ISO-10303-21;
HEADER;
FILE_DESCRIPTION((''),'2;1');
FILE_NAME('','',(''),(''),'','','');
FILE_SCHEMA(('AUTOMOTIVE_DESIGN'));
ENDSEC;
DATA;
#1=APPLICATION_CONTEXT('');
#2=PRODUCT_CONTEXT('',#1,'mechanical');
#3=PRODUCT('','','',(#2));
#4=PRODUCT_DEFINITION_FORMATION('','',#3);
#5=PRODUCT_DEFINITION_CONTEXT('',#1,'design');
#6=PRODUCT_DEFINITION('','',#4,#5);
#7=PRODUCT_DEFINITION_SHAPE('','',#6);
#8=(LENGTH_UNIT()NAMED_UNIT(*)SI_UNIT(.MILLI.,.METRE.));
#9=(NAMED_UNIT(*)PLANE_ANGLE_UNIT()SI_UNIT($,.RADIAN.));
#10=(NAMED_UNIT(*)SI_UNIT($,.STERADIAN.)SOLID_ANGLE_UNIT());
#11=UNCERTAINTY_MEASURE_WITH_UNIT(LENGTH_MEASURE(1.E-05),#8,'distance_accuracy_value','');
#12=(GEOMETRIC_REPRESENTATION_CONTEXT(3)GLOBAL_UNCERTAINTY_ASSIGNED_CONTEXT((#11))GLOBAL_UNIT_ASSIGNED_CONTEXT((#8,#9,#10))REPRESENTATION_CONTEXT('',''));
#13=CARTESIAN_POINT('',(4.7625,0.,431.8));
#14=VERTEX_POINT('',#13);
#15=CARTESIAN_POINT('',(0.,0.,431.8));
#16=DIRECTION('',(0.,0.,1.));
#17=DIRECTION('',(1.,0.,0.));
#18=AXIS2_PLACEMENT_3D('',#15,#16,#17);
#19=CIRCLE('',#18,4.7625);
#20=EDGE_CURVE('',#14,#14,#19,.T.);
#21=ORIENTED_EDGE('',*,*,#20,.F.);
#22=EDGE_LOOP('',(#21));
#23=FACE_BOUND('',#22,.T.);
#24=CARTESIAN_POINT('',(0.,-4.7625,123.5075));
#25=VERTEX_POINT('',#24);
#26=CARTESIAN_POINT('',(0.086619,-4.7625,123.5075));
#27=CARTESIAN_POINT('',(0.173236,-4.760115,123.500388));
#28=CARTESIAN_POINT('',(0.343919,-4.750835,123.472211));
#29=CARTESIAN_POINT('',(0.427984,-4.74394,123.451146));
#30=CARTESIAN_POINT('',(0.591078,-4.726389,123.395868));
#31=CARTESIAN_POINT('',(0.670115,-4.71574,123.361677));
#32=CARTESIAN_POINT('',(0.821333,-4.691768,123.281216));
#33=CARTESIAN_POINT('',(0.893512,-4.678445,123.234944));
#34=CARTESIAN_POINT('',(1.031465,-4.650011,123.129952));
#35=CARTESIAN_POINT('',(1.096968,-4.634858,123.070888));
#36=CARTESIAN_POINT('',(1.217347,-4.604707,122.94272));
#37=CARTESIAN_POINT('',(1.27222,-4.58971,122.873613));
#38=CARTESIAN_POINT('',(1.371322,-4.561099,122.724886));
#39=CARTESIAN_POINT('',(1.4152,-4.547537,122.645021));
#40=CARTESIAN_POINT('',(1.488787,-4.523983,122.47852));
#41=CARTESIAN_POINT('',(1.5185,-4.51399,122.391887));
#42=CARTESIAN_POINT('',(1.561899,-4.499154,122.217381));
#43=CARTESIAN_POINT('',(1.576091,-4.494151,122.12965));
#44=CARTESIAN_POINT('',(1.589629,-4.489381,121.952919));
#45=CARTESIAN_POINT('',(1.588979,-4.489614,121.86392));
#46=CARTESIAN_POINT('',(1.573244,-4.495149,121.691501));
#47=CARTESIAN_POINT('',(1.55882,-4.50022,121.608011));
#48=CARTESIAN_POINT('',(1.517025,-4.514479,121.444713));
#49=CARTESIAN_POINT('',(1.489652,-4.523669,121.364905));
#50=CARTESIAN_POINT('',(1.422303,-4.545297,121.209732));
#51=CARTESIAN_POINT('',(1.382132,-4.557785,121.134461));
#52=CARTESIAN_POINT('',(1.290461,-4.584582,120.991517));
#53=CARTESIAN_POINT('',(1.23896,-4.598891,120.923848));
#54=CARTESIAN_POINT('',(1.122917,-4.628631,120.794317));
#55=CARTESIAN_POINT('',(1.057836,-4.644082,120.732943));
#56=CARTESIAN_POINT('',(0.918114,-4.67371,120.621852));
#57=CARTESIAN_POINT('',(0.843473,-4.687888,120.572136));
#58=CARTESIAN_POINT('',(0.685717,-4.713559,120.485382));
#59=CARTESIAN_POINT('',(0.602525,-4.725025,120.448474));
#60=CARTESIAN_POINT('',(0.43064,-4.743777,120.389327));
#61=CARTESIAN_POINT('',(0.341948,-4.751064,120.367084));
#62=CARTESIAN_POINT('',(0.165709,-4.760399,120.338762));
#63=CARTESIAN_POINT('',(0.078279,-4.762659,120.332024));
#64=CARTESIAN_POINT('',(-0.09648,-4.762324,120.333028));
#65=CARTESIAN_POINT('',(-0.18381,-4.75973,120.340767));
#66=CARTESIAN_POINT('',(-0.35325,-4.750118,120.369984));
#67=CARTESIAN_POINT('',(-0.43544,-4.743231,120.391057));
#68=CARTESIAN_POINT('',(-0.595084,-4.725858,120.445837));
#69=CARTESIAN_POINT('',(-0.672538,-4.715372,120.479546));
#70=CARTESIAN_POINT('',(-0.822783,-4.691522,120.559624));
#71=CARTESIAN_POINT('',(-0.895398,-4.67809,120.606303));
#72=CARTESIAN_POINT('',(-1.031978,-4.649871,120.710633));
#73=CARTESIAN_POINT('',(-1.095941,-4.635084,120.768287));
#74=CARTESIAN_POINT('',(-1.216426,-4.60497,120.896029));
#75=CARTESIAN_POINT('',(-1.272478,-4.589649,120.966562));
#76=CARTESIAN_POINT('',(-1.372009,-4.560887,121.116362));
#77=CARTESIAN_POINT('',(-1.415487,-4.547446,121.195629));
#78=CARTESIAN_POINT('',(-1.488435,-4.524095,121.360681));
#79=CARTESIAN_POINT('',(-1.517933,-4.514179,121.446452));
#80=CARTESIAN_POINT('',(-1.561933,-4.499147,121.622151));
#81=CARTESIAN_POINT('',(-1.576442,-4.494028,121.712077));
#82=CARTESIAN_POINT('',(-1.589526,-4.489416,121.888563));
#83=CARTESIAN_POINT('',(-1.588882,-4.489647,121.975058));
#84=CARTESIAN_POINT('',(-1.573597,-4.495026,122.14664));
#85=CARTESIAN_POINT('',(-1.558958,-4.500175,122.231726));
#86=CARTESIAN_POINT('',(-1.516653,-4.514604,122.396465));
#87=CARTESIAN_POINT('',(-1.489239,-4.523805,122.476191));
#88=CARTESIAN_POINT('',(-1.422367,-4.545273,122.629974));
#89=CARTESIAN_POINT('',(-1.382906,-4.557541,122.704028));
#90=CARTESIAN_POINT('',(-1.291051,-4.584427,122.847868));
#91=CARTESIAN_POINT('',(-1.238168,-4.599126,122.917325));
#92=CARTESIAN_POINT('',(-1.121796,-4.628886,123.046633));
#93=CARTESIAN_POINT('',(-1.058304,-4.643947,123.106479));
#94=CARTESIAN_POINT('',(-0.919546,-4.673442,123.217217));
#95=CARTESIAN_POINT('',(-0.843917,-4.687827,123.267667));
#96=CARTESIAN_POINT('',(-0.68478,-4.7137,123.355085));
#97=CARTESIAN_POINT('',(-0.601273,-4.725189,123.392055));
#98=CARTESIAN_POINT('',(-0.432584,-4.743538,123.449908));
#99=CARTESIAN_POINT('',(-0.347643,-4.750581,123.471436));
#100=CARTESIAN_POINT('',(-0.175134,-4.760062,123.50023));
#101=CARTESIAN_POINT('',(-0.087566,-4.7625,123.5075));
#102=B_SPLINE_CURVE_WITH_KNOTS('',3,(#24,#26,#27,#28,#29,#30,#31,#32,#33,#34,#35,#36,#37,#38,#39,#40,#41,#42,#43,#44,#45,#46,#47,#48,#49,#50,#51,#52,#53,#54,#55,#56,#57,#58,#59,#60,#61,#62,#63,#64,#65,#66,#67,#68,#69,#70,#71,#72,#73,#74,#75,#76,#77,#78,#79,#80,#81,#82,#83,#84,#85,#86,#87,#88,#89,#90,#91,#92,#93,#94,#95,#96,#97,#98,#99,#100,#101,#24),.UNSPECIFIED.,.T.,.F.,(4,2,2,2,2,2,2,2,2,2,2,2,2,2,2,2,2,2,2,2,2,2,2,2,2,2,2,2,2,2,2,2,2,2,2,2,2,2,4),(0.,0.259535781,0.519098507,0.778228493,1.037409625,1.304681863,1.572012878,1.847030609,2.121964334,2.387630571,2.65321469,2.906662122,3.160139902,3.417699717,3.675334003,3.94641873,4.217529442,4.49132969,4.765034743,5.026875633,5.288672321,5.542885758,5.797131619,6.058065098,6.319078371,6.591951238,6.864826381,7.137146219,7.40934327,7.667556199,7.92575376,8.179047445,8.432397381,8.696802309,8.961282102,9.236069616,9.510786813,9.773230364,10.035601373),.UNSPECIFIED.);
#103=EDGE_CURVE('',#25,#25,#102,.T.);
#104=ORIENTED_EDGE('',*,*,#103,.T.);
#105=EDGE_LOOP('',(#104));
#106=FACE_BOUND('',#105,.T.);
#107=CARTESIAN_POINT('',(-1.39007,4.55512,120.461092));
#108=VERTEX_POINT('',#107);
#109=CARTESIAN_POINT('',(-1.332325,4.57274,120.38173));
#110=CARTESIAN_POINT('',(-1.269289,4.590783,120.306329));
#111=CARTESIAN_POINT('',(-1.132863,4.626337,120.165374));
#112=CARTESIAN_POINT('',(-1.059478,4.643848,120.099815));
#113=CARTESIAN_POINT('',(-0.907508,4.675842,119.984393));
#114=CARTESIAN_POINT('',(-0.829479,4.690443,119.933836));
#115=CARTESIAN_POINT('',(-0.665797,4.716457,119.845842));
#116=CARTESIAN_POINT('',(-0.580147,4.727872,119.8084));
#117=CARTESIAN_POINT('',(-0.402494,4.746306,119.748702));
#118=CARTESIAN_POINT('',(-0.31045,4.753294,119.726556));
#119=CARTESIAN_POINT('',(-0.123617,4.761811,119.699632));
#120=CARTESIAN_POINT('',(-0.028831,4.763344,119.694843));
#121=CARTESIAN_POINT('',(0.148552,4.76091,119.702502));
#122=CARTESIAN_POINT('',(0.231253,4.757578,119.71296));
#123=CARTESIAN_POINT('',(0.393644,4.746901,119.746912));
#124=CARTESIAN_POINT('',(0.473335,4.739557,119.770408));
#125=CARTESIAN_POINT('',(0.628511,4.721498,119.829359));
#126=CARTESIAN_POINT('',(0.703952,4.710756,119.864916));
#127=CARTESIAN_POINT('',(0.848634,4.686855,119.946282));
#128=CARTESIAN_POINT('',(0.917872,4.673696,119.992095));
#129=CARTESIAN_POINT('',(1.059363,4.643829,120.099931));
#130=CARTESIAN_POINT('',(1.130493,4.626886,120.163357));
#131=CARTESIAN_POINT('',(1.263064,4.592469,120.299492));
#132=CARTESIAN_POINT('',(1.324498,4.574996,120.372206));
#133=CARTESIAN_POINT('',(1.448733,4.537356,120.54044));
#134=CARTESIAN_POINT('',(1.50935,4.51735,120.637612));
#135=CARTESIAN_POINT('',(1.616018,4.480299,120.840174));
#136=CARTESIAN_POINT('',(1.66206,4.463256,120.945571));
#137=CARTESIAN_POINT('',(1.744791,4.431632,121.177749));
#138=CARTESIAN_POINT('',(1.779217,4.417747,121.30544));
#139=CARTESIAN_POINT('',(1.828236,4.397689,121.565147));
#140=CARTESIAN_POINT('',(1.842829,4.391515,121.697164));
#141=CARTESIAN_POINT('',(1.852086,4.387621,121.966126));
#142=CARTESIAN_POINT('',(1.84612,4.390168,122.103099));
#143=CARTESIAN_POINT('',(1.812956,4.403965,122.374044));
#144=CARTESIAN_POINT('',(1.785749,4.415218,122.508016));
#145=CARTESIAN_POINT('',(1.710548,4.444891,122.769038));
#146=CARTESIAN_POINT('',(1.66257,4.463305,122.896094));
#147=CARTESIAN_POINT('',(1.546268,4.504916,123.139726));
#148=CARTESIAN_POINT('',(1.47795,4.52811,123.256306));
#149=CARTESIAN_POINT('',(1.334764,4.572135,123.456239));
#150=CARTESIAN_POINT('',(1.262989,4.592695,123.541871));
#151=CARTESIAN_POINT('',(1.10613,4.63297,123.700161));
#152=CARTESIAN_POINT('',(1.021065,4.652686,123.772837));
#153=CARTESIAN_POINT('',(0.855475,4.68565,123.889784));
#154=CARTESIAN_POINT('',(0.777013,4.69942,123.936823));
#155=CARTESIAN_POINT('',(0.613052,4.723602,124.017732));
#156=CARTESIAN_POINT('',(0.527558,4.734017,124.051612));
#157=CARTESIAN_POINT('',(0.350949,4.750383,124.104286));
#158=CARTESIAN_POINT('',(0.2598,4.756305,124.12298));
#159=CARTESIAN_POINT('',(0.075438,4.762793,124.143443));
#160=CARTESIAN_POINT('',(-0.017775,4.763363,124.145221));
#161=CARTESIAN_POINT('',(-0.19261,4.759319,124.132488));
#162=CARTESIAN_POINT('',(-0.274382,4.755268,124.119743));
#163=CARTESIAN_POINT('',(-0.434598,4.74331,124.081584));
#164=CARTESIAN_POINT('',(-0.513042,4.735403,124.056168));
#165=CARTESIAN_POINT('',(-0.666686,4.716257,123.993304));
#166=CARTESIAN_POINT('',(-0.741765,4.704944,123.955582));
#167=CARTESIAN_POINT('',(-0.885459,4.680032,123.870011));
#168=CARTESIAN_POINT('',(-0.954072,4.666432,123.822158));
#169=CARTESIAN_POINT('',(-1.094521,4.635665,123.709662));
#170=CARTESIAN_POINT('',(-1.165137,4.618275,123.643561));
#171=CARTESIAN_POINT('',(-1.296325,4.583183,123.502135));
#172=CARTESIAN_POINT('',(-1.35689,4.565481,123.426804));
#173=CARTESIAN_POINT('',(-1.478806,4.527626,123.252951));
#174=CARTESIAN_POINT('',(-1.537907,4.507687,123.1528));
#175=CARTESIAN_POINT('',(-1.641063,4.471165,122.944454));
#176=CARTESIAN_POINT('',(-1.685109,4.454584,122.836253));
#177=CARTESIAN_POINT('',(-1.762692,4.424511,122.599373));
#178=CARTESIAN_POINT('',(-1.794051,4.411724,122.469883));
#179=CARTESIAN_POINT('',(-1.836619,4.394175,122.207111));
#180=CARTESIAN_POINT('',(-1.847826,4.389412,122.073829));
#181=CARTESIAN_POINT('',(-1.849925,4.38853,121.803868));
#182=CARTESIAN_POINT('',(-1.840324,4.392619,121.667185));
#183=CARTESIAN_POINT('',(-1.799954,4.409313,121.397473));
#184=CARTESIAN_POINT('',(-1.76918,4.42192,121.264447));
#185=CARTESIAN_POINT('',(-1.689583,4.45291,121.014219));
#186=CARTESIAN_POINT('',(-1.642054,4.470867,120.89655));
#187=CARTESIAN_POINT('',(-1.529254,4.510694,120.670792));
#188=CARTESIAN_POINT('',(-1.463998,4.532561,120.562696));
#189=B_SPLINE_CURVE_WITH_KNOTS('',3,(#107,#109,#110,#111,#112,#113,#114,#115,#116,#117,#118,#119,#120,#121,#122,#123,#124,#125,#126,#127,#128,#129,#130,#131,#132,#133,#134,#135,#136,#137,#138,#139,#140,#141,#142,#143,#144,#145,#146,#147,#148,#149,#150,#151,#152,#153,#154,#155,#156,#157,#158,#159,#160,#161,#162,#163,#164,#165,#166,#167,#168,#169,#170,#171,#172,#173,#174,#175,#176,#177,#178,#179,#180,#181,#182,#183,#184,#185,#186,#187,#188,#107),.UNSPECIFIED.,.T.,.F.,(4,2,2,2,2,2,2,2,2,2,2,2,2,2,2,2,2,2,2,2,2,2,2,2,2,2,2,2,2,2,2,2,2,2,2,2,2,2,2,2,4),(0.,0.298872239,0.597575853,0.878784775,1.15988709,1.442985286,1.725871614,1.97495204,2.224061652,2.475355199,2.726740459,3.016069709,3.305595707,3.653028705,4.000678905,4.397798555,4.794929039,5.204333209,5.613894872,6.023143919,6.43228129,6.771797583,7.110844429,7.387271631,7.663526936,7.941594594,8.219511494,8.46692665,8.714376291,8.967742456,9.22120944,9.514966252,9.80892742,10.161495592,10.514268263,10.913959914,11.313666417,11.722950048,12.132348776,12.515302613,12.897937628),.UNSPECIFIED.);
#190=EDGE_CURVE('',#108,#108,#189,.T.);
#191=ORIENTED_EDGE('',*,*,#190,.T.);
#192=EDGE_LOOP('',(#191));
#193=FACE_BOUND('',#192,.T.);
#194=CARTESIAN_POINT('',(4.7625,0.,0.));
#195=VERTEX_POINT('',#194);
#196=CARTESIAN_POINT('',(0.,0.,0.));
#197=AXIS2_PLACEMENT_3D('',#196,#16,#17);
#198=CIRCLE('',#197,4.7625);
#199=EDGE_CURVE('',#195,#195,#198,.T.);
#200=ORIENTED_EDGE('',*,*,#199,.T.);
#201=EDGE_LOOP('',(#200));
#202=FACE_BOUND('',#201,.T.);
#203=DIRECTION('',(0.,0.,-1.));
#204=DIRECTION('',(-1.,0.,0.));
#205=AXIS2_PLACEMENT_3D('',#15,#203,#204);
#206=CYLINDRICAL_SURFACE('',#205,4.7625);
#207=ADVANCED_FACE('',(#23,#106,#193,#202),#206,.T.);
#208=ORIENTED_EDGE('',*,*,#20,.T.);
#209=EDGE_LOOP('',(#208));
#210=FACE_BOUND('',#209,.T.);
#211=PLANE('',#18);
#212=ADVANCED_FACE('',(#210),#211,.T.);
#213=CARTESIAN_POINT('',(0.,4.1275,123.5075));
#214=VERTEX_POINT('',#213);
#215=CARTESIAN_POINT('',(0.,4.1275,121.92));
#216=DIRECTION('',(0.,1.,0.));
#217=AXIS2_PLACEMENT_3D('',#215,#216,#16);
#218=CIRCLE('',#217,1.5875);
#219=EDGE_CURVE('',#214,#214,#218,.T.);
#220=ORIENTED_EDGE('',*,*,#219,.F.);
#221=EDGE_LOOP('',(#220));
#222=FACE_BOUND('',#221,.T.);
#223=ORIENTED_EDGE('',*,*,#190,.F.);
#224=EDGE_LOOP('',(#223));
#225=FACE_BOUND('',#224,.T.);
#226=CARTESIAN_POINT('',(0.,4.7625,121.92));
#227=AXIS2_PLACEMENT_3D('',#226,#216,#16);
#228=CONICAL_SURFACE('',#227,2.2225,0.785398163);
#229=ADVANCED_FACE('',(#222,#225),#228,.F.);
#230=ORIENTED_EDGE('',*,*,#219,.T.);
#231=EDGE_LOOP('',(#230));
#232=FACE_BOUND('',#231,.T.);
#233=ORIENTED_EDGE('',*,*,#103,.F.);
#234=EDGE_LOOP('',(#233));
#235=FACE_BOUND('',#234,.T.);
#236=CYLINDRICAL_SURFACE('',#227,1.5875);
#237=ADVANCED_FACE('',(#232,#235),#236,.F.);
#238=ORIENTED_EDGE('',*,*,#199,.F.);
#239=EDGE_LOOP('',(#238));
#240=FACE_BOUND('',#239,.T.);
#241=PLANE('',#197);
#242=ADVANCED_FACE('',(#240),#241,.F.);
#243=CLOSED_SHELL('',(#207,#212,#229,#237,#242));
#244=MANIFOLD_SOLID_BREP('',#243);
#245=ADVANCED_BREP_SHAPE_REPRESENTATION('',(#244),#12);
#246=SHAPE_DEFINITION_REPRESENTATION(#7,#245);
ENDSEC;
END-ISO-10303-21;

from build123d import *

# Parameters (mm, degrees)
SKETCH1_R           = 4.7625
BOSS_EXTRUDE1_DEPTH = 431.8


with BuildPart() as part:
    # Sketch1 → Boss-Extrude1 (new body)
    with BuildSketch(Plane.XY):
        Circle(SKETCH1_R)
    extrude(amount=BOSS_EXTRUDE1_DEPTH)

    # Sketch3 → 1/8 (0.125) Press Dowel Hole1 (revolve, cut)
    with BuildSketch(Plane(origin=(0, 4.7625, 121.92), x_dir=(0, 0, 1), z_dir=(1, 0, 0))):
        Polygon((0, 0), (0, 9.525), (1.5875, 9.525), (1.5875, 0.635), (2.2225, 0), align=None)
    revolve(axis=Axis((0, 11.1125, 121.92), (0, -1, 0)), mode=Mode.SUBTRACT)


solid = part.part
